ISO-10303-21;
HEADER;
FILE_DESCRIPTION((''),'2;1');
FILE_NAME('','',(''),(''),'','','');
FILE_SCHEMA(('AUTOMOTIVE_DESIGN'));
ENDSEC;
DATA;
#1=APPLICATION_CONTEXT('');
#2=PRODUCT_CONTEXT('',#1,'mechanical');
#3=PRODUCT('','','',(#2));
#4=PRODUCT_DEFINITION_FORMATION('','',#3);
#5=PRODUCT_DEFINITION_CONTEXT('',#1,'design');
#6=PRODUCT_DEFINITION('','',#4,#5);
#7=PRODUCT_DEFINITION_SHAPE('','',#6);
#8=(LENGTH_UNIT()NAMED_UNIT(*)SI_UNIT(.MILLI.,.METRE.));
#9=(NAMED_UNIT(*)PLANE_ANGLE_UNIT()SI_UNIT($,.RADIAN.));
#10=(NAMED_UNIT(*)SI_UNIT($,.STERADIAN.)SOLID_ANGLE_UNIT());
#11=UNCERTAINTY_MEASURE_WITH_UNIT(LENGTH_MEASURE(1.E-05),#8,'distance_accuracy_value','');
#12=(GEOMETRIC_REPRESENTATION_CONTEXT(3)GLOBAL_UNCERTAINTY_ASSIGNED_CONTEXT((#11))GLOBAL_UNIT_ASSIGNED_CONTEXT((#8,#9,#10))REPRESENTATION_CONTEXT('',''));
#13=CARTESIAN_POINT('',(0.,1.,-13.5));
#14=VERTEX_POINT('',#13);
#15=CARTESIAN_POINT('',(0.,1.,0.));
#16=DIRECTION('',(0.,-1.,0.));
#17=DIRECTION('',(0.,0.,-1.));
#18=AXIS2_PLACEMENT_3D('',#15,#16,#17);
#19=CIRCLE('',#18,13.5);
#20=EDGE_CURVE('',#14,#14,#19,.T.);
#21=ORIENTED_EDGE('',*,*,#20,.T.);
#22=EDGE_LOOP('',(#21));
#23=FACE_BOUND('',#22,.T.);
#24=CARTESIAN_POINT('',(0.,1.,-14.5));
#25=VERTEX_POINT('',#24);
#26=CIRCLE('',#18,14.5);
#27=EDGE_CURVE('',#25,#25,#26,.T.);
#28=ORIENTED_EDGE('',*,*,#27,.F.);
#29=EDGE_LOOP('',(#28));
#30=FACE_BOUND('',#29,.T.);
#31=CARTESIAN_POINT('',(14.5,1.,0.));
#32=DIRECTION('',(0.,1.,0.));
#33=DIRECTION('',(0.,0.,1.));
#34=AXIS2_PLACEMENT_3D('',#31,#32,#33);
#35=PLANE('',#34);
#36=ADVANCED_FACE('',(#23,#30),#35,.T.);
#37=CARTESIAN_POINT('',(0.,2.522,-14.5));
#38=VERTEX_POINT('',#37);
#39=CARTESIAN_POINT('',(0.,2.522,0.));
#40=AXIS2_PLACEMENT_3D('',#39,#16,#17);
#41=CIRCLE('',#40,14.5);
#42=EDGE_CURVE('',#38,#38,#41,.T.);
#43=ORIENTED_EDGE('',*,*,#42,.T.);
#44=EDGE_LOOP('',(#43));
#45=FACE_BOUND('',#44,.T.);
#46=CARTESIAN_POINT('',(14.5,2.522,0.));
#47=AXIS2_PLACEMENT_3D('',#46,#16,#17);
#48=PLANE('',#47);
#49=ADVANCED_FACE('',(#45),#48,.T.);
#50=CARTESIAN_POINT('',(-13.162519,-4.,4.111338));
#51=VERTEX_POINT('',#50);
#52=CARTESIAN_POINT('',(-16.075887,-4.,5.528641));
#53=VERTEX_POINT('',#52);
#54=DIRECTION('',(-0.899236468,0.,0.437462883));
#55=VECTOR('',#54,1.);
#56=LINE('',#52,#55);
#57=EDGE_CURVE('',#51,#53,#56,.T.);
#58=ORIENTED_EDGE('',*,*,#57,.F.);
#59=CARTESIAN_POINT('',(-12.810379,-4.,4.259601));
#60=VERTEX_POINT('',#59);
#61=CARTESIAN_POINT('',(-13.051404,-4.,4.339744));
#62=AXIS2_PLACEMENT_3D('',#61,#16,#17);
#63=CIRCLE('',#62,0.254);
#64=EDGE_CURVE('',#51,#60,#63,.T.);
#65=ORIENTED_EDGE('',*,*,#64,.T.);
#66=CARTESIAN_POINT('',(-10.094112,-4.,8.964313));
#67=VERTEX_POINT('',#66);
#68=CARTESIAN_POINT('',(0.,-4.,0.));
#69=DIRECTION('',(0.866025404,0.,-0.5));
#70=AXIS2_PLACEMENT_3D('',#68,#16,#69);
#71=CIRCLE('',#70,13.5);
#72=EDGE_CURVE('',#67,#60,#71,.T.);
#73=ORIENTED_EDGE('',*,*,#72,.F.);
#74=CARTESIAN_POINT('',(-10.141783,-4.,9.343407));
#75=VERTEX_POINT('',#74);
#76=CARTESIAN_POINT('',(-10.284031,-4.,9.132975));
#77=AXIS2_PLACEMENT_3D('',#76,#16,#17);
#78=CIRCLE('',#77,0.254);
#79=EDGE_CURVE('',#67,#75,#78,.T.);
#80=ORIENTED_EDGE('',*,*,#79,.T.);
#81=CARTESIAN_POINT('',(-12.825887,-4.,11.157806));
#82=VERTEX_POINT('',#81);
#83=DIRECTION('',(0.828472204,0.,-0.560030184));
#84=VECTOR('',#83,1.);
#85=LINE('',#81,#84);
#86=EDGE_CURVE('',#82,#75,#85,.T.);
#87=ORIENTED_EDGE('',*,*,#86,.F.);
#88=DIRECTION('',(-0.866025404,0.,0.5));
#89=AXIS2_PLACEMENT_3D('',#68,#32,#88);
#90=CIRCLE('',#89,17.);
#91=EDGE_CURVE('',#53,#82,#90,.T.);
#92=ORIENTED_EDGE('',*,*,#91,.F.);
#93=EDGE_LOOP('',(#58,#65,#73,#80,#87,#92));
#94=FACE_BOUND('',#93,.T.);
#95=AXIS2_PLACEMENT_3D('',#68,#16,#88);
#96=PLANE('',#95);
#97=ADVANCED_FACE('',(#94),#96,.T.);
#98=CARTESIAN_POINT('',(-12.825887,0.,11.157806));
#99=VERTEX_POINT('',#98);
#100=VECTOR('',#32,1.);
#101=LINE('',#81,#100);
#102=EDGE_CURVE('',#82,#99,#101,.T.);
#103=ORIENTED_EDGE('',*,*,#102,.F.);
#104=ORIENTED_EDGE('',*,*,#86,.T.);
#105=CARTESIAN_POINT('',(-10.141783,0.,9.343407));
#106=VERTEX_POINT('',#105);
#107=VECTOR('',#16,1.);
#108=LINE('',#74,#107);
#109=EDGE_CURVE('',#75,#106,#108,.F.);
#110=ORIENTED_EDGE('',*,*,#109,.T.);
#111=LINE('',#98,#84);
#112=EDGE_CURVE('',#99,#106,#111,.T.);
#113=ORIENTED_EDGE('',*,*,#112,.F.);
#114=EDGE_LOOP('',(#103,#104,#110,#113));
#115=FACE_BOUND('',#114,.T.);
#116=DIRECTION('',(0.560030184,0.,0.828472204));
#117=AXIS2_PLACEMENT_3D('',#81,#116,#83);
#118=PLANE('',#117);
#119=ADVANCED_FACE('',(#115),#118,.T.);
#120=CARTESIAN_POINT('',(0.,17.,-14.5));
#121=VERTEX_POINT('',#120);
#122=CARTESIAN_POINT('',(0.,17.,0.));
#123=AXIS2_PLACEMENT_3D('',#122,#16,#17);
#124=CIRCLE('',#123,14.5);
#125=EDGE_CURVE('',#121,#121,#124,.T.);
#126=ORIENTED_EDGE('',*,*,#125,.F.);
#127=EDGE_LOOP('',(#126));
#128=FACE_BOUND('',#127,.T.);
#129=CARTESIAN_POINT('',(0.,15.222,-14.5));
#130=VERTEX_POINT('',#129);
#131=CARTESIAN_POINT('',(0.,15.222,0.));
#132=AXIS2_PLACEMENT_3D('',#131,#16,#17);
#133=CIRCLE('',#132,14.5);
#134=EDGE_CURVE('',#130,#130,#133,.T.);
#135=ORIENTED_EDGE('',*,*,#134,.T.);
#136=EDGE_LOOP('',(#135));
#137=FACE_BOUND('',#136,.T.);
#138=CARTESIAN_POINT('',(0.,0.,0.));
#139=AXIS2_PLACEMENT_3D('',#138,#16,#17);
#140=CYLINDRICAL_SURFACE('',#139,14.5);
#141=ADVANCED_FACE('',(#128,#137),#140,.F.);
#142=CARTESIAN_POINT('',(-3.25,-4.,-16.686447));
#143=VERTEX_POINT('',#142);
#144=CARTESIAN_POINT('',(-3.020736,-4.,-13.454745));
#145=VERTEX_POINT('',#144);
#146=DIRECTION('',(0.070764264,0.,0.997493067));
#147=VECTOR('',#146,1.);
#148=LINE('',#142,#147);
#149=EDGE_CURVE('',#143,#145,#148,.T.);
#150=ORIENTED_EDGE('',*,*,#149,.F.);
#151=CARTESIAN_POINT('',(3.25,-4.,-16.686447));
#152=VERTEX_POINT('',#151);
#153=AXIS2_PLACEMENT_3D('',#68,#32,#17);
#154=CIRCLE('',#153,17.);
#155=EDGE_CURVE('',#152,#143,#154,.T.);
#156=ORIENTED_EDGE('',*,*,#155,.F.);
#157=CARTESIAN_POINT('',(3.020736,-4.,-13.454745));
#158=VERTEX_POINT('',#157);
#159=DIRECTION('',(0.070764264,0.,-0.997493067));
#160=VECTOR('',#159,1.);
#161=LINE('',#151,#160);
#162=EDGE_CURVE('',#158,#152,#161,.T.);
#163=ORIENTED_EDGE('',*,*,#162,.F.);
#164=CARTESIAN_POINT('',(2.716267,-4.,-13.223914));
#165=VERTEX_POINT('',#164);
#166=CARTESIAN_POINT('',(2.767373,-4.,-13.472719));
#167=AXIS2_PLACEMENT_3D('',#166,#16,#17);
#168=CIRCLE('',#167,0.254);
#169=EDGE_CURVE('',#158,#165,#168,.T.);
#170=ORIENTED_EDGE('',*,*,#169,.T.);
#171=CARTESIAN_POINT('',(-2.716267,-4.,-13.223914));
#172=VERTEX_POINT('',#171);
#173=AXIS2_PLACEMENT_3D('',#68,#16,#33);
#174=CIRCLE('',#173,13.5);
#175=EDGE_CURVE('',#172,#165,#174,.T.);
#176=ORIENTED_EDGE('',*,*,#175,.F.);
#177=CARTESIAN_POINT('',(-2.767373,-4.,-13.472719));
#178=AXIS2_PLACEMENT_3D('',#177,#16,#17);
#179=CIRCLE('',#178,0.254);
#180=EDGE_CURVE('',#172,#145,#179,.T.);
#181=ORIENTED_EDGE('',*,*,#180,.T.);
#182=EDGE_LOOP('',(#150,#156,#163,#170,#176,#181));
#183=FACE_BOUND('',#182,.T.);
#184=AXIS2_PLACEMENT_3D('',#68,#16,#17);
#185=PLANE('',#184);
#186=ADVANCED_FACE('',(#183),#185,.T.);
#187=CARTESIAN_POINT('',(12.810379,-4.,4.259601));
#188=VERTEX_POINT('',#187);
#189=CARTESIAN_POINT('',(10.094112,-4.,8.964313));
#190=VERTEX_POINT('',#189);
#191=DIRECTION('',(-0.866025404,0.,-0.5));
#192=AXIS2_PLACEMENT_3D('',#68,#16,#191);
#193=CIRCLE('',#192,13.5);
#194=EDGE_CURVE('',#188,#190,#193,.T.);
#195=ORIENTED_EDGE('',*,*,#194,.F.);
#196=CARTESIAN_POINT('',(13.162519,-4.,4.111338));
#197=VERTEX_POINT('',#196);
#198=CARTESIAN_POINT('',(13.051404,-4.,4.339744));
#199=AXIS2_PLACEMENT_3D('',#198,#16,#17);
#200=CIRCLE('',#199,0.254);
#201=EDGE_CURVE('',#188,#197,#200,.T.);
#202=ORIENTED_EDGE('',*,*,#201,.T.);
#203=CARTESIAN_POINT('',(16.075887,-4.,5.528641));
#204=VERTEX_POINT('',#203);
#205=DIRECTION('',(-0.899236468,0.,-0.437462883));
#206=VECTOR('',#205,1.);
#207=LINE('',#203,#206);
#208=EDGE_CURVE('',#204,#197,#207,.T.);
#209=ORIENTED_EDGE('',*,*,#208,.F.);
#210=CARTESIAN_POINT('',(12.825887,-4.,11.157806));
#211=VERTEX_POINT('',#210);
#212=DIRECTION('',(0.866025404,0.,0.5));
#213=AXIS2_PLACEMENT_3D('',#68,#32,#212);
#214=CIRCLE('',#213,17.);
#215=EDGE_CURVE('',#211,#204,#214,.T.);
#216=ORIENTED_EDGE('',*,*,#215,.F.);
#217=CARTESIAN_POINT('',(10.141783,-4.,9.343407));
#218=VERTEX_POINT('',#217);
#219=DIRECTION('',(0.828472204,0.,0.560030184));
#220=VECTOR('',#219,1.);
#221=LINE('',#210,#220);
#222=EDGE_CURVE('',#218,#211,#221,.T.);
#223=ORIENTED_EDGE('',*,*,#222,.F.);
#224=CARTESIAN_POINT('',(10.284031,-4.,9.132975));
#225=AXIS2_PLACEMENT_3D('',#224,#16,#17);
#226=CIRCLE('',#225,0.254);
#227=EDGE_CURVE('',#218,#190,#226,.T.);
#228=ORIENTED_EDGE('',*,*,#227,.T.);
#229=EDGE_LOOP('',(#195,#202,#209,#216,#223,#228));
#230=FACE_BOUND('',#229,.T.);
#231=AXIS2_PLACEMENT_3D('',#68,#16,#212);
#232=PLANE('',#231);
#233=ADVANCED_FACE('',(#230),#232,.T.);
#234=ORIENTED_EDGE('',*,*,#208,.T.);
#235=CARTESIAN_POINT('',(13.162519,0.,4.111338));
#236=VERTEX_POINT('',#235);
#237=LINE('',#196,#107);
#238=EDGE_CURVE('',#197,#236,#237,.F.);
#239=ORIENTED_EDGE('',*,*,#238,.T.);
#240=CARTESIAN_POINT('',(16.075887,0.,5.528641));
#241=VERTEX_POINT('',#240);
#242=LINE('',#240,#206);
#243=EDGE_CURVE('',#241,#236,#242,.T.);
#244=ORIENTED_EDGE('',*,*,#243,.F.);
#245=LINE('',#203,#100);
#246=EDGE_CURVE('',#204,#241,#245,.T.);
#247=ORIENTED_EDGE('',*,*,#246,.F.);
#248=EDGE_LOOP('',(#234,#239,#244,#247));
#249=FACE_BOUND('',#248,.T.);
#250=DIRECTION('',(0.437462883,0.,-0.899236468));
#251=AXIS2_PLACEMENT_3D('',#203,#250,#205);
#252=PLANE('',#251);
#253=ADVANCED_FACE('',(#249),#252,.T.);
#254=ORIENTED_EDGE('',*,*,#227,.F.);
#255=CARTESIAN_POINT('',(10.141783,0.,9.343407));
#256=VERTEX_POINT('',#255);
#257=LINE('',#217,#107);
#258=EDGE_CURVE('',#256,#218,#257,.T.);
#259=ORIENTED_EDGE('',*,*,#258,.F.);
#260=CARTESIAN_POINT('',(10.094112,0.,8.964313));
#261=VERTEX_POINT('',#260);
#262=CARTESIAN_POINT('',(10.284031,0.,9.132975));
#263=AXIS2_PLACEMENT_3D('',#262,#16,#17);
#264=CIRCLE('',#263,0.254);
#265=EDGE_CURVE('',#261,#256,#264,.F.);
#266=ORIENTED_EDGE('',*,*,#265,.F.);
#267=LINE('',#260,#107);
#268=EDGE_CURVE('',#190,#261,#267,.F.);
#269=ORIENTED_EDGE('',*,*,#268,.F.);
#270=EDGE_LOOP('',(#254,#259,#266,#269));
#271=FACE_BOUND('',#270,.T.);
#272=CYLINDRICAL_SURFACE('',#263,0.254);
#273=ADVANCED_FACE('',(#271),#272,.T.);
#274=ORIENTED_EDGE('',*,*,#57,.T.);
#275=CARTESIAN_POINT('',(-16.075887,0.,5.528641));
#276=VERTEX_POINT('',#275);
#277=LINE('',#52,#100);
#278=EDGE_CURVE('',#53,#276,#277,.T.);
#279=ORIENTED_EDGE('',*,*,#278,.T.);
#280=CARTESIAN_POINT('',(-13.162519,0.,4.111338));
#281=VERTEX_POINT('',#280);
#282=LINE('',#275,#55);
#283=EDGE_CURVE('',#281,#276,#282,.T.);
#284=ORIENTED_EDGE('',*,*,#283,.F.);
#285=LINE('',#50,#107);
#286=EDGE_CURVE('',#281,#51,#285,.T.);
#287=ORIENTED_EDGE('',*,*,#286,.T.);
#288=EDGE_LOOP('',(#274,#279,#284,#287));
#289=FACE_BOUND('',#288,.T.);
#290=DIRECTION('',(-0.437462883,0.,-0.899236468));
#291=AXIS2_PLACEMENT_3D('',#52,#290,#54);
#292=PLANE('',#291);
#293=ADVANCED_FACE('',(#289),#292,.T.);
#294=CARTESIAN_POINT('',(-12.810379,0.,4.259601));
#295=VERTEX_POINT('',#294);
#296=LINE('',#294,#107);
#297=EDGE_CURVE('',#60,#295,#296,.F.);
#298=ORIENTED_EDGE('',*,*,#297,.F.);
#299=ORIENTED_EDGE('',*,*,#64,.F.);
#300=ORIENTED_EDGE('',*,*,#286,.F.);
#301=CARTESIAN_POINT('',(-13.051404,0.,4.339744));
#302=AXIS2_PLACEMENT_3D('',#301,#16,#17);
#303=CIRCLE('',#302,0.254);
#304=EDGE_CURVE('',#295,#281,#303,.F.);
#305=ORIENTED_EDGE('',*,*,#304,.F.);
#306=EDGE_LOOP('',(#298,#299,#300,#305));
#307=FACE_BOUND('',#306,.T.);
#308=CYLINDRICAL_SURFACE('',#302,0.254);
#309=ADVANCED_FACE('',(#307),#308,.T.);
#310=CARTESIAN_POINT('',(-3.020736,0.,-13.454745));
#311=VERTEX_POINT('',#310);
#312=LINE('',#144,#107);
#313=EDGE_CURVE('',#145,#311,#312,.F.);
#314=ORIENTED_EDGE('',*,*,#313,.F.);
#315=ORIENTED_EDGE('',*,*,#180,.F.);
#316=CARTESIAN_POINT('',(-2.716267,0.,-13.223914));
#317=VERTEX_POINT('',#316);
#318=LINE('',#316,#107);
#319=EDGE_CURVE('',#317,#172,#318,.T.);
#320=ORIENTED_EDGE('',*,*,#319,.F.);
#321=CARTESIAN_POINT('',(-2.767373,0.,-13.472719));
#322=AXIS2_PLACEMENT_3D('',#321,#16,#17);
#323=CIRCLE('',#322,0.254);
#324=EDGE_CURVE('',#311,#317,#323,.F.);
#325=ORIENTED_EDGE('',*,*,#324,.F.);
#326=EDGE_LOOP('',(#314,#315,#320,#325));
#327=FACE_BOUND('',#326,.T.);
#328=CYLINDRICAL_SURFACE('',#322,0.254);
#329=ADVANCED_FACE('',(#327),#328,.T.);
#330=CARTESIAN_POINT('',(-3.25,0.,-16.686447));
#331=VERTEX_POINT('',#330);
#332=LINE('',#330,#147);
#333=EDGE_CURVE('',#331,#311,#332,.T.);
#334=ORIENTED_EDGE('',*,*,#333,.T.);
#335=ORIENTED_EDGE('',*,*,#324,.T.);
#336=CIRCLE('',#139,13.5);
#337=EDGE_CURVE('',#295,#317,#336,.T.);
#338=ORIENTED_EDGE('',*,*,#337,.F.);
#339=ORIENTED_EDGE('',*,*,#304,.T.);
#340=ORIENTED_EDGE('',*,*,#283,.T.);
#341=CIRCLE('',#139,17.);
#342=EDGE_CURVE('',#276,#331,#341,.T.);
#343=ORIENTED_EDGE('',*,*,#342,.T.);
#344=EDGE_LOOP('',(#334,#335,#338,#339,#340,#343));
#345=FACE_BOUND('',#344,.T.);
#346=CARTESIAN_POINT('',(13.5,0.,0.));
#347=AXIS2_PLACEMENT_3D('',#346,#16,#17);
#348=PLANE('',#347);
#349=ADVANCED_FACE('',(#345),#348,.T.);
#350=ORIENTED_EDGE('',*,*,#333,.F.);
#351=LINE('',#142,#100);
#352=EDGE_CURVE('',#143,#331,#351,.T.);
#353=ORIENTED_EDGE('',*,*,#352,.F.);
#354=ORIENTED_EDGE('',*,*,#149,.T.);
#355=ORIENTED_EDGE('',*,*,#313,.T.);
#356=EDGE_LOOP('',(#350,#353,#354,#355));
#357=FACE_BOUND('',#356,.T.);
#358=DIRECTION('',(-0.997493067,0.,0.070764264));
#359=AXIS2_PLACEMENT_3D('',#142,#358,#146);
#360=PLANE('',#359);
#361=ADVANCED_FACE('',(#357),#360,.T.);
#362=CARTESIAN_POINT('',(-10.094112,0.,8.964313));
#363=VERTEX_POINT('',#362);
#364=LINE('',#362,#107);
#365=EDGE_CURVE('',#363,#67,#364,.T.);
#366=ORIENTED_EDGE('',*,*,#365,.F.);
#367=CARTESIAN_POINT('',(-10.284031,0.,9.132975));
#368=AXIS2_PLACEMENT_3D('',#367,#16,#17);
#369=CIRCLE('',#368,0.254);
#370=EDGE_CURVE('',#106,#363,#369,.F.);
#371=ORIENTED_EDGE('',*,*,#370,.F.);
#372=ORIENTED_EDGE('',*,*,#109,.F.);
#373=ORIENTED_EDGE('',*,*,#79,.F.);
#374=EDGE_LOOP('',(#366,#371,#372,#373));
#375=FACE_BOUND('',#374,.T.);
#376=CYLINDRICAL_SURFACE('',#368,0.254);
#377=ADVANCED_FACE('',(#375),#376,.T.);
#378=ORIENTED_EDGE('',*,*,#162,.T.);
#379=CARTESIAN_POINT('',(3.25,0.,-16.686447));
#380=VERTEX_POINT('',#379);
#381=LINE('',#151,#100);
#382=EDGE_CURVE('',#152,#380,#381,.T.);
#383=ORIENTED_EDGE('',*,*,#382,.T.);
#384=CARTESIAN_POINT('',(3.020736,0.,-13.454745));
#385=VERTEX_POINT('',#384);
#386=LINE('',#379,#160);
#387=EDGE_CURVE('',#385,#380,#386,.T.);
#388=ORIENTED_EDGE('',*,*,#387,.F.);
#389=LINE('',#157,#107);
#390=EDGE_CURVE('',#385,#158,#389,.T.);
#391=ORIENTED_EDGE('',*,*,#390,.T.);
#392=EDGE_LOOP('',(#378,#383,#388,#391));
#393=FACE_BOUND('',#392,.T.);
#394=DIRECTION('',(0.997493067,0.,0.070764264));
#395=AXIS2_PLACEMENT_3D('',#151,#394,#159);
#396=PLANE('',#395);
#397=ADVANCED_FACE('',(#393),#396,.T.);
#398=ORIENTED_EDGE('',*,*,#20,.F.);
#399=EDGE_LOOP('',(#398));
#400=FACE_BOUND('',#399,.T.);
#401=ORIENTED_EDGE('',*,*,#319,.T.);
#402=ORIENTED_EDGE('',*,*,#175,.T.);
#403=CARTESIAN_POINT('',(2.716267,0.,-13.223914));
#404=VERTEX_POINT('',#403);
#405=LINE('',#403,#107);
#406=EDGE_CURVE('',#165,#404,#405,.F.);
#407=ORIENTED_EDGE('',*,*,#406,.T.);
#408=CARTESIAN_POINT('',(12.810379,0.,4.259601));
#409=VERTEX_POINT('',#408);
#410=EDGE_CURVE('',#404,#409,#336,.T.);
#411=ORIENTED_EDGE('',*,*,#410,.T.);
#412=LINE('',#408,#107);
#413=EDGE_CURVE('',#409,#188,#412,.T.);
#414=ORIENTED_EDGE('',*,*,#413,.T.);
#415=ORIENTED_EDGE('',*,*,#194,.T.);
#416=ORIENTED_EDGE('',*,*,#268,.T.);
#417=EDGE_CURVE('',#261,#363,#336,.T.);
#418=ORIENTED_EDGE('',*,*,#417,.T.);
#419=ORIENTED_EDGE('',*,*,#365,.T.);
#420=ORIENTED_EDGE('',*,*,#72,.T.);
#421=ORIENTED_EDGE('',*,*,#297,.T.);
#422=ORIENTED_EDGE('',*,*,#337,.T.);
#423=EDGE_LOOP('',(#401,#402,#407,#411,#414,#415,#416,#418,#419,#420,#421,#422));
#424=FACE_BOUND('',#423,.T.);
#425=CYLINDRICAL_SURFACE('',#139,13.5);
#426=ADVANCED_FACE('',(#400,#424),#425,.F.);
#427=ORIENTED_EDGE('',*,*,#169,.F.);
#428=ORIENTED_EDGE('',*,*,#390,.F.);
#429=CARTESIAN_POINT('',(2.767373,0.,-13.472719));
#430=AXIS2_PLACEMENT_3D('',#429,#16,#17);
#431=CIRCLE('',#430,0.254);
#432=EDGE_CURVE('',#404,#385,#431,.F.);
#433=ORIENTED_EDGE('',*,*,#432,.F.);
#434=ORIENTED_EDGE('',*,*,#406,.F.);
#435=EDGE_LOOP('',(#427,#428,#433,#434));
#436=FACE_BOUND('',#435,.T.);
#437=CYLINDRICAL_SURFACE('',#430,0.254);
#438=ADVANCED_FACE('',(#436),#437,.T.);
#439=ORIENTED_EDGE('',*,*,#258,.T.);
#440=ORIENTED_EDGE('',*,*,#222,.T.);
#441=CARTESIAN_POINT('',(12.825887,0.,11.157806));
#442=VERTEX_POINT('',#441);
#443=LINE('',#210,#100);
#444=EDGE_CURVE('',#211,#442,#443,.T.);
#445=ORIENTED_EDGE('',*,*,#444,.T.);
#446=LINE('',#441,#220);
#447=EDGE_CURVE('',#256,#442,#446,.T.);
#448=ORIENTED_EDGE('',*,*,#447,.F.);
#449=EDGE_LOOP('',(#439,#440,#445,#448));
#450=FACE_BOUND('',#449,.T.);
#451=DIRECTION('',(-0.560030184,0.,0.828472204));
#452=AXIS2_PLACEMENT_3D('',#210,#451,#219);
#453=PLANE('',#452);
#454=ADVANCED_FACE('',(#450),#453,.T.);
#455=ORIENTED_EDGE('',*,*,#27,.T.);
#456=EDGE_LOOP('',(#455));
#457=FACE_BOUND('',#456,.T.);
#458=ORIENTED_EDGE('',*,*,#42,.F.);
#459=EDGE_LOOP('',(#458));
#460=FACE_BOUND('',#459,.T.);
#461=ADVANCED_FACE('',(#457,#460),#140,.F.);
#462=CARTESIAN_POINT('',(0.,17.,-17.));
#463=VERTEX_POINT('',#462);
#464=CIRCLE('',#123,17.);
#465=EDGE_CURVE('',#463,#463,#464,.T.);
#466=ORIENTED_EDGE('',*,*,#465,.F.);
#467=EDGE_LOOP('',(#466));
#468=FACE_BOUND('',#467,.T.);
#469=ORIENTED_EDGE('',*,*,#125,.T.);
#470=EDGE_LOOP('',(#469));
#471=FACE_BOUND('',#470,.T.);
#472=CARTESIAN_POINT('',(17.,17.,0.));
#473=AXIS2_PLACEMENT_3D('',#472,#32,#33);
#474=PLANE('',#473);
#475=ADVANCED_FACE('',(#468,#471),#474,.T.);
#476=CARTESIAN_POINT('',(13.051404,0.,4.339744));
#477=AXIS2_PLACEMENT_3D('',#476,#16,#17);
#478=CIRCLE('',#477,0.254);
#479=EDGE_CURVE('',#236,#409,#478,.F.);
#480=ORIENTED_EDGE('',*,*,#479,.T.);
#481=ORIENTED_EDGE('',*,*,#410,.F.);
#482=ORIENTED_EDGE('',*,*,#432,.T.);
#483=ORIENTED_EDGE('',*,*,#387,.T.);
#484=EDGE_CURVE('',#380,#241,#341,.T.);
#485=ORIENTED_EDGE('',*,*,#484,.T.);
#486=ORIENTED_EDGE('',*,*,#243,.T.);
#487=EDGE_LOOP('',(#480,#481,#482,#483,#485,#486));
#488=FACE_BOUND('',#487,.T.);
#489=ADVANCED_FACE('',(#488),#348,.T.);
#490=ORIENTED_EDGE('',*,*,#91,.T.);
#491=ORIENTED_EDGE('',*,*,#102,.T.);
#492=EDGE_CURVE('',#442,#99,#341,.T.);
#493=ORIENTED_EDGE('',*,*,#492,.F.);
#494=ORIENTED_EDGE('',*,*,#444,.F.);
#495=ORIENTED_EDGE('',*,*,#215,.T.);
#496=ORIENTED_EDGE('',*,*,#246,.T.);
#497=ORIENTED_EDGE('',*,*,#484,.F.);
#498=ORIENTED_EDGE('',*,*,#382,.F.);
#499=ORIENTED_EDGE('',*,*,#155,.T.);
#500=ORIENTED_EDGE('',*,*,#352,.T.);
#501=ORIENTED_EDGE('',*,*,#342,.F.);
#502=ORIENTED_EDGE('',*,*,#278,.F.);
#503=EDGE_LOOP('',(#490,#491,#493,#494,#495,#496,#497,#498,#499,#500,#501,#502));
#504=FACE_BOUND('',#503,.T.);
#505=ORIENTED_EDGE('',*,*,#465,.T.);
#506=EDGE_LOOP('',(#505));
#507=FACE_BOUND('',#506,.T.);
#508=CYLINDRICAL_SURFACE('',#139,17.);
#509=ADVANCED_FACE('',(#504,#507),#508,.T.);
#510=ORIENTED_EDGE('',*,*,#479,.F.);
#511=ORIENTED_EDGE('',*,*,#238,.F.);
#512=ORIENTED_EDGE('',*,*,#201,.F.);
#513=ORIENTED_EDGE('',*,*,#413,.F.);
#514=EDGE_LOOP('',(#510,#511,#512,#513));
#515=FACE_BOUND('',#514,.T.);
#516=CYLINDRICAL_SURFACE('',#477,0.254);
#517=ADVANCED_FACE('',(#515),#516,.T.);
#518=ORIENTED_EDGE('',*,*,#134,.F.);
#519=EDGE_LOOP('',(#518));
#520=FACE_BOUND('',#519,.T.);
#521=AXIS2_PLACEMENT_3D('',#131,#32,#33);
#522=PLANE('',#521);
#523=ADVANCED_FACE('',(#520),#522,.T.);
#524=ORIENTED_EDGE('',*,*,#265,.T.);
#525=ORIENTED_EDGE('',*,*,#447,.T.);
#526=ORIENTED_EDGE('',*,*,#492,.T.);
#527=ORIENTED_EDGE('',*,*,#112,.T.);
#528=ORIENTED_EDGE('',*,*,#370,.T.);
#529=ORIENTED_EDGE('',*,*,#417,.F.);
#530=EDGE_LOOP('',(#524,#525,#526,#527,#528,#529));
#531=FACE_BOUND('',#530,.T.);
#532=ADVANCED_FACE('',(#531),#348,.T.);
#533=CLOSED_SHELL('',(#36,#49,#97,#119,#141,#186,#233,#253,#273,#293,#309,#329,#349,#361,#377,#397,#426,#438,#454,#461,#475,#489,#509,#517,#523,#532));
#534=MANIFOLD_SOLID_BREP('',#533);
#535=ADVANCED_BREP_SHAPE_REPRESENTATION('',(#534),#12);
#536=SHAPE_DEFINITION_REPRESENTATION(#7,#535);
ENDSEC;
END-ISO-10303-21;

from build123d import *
from build123d.topology import SkipClean

# Parameters (mm, degrees)
TOOTH_DEPTH       = 4
THREE_TEETH_COUNT = 3
FILLET1_R         = 0.254


with BuildPart() as part:
    # Sketch4 → Revolve1 (revolve)
    with BuildSketch(Plane.XY, mode=Mode.PRIVATE) as revolve1_sk:
        Polygon((0, 15.222), (14.5, 15.222), (14.5, 17), (17, 17), (17, 0), (13.5, 0), (13.5, 1), (14.5, 1), (14.5, 2.522), (0, 2.522), align=None)
    revolve(revolve1_sk.sketch.rotate(Axis((0, 0, 0), (0, 1, 0)), 90), axis=Axis((0, 0, 0), (0, 1, 0)))

    # Sketch3 → Tooth (add)
    with SkipClean():  # the faces are left unmerged after this step: merging them gives an invalid solid
        with BuildSketch(Plane(origin=(0, 0, 0), x_dir=(1, 0, 0), z_dir=(0, 1, 0))):
            with BuildLine():
                Line((-3.25, 16.686447), (-3, 13.162447))
                ThreePointArc((-3, 13.162447), (0, 13.5), (3, 13.162447))
                Line((3, 13.162447), (3.25, 16.686447))
                ThreePointArc((3.25, 16.686447), (0, 17), (-3.25, 16.686447))
            make_face()
        tooth = extrude(amount=-TOOTH_DEPTH)

    # Three Teeth: Tooth ×3 about axis
    with SkipClean():  # the faces are left unmerged after this step: merging them gives an invalid solid
        three_teeth_axis = Axis((0, 0, 0), (0, 1, 0))
        for i in range(1, THREE_TEETH_COUNT):
            add(tooth.rotate(three_teeth_axis, i * 360 / THREE_TEETH_COUNT))

    # Fillet1
    fillet1_edges = [part.edges().sort_by_distance(p)[0] for p in [
        (-12.899013, -2, 3.983147),
        (-9.899013, -2, 9.1793),
        (-3, -2, -13.162447),
        (3, -2, -13.162447),
        (12.899013, -2, 3.983147),
        (9.899013, -2, 9.1793),
    ]]
    fillet(fillet1_edges, radius=FILLET1_R)


solid = part.part
